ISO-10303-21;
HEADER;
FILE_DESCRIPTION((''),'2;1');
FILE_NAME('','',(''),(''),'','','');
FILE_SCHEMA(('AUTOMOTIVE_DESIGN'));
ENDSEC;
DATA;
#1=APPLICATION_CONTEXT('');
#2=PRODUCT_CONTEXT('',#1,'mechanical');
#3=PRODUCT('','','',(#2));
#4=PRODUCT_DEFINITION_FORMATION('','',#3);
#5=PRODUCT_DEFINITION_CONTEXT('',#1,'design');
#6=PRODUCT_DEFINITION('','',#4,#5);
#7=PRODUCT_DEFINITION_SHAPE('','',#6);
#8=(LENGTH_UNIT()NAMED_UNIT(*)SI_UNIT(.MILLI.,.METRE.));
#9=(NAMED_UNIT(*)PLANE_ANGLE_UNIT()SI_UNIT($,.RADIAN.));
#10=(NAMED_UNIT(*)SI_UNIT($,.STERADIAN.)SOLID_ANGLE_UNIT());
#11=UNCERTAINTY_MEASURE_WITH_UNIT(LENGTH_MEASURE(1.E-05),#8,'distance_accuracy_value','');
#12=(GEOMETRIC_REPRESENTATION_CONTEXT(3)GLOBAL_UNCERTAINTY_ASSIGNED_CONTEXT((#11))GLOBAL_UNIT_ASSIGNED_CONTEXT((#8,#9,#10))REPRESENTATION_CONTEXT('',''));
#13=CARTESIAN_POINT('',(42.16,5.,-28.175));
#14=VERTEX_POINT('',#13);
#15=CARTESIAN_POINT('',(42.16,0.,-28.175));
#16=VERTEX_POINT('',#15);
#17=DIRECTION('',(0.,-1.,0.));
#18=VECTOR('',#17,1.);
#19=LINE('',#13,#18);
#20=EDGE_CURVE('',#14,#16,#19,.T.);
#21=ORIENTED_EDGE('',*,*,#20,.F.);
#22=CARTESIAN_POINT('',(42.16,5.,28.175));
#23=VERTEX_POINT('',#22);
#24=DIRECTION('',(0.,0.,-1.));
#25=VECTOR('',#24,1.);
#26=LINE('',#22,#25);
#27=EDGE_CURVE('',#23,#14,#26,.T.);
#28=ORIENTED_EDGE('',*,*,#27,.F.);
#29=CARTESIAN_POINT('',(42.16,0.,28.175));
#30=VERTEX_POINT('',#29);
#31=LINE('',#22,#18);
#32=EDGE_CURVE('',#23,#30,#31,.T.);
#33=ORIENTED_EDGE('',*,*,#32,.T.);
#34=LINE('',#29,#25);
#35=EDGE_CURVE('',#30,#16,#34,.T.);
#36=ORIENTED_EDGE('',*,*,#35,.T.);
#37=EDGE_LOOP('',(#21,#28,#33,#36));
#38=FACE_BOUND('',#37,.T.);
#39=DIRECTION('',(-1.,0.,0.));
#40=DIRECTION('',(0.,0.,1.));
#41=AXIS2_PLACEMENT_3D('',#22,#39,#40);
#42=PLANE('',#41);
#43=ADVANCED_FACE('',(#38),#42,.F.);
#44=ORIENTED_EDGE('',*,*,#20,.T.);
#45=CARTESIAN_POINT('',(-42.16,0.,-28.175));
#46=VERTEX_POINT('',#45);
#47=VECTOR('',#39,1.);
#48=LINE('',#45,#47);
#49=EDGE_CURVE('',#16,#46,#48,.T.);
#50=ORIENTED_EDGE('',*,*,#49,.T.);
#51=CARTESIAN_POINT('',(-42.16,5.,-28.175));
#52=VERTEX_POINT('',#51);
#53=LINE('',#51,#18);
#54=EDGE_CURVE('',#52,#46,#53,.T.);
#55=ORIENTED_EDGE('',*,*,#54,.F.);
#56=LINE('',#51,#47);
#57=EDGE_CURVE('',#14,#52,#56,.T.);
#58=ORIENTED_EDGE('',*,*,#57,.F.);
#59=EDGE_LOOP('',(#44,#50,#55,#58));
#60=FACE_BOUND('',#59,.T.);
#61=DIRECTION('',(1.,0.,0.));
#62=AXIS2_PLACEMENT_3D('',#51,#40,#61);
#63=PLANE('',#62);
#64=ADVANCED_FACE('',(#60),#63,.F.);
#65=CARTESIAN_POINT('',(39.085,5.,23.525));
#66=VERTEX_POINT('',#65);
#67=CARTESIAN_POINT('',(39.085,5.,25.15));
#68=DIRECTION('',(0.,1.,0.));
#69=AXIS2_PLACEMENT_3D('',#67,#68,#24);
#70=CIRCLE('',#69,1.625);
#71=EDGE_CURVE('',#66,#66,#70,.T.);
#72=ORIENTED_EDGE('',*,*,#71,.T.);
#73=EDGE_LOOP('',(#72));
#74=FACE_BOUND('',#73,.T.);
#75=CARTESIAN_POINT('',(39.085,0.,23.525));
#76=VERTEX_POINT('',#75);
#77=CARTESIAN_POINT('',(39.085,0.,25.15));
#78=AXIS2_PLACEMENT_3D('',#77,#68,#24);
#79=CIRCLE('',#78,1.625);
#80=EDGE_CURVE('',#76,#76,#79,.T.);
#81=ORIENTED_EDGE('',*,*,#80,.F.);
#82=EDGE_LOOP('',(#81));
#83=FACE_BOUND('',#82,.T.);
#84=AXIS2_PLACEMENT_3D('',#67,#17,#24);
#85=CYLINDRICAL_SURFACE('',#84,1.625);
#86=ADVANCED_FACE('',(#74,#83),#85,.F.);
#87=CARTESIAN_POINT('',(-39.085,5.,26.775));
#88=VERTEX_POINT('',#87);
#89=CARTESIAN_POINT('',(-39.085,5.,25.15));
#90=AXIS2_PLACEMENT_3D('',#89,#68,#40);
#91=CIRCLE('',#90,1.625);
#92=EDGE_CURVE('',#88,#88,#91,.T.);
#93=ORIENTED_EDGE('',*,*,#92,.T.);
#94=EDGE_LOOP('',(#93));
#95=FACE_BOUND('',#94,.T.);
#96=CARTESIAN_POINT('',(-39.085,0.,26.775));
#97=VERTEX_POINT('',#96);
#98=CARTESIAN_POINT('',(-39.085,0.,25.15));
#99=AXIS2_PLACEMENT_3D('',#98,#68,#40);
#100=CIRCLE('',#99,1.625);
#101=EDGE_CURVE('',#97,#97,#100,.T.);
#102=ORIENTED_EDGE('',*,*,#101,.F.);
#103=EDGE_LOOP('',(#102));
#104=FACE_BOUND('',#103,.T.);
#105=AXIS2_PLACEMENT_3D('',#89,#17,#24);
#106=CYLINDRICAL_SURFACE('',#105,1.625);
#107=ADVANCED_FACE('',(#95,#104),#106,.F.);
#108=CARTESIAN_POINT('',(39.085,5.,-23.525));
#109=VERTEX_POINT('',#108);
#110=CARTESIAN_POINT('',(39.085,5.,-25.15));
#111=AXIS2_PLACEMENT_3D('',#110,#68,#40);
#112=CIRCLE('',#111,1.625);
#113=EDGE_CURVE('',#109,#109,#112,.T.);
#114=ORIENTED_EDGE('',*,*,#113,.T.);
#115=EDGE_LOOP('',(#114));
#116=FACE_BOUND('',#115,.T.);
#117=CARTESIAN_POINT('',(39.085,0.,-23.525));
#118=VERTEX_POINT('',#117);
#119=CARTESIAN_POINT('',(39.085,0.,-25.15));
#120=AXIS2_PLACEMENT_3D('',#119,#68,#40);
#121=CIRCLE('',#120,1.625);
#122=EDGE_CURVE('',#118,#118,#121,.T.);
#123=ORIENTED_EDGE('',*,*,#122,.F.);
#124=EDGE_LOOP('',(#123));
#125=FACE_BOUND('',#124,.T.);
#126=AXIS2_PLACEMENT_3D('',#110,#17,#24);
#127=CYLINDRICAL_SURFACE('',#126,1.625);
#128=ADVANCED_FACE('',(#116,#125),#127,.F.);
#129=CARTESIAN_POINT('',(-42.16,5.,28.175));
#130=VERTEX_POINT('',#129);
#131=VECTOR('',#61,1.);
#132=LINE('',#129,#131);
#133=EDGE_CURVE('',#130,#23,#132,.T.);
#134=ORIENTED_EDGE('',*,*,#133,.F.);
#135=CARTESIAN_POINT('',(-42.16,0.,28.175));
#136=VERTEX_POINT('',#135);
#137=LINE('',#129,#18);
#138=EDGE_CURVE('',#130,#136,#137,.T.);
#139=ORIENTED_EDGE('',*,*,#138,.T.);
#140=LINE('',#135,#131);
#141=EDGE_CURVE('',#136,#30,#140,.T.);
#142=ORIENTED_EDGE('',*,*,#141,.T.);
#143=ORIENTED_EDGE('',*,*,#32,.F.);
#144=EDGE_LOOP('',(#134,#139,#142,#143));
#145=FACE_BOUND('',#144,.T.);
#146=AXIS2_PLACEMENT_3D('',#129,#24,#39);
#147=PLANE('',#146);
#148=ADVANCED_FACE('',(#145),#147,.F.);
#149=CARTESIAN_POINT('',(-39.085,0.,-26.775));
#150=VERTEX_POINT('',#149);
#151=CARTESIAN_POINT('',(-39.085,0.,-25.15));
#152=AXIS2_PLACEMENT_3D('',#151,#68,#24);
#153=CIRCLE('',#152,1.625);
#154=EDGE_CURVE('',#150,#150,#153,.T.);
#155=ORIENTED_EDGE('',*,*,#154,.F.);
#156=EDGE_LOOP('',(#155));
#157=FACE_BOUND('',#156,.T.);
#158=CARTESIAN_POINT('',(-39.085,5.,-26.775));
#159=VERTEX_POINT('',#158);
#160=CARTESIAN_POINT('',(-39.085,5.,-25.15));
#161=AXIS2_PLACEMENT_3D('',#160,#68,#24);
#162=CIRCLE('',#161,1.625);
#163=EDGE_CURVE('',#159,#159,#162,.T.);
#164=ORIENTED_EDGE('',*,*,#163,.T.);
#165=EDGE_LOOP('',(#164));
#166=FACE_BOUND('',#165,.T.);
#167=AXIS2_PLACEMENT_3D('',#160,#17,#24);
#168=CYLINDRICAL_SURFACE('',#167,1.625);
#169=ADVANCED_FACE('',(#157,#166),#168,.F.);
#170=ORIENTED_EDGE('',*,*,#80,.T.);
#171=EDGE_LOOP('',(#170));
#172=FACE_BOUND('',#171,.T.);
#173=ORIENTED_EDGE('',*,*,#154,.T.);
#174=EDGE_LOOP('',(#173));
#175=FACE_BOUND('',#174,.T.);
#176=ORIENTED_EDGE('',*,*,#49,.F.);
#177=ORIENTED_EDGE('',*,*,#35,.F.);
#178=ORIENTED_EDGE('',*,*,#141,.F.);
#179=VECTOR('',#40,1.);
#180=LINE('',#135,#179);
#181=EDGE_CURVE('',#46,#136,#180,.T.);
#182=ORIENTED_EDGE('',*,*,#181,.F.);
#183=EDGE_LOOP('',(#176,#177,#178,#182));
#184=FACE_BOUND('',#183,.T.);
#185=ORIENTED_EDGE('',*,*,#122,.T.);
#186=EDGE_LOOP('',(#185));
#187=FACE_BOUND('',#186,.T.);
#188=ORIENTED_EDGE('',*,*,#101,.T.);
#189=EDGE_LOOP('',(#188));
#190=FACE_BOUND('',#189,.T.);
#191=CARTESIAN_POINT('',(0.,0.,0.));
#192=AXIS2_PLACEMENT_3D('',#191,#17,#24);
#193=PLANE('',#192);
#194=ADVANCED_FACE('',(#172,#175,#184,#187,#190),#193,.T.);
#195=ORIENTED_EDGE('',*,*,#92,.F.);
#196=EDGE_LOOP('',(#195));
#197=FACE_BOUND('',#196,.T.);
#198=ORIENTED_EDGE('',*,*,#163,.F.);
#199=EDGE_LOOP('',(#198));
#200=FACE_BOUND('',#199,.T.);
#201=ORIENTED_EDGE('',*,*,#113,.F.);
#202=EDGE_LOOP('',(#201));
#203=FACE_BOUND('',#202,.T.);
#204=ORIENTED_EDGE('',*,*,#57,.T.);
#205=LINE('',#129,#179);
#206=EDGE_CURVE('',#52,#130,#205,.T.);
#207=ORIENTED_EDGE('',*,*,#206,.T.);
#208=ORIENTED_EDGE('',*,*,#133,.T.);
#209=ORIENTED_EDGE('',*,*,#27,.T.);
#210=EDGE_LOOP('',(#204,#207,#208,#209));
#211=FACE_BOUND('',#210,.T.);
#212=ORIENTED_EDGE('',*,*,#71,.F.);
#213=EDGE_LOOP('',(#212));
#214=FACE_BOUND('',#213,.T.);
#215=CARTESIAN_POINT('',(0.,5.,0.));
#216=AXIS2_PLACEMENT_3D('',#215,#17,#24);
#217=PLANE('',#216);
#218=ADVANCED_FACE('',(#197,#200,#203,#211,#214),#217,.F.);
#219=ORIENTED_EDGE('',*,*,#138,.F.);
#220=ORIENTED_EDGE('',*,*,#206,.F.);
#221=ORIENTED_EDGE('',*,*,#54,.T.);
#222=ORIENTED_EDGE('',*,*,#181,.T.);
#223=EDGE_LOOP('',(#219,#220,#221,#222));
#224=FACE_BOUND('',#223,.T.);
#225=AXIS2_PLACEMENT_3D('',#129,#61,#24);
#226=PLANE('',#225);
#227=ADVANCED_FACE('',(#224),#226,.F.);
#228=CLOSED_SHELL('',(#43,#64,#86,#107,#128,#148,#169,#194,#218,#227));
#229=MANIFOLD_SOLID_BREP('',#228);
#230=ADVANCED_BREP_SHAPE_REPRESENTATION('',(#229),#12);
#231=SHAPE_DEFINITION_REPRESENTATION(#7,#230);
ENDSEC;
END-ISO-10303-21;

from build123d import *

# Parameters (mm, degrees)
SKETCH1_W           = 84.32
SKETCH1_H           = 56.35
SKETCH1_R           = 1.625
BOSS_EXTRUDE1_DEPTH = 5


with BuildPart() as part:
    # Sketch1 → Boss-Extrude1 (new body)
    with BuildSketch(Plane(origin=(0, 0, 0), x_dir=(1, 0, 0), z_dir=(0, 1, 0))):
        Rectangle(SKETCH1_W, SKETCH1_H)
        with Locations((39.085, 25.15)):
            Circle(SKETCH1_R, mode=Mode.SUBTRACT)
        with Locations((-39.085, 25.15)):
            Circle(SKETCH1_R, mode=Mode.SUBTRACT)
        with Locations((-39.085, -25.15)):
            Circle(SKETCH1_R, mode=Mode.SUBTRACT)
        with Locations((39.085, -25.15)):
            Circle(SKETCH1_R, mode=Mode.SUBTRACT)
    extrude(amount=BOSS_EXTRUDE1_DEPTH)


solid = part.part
